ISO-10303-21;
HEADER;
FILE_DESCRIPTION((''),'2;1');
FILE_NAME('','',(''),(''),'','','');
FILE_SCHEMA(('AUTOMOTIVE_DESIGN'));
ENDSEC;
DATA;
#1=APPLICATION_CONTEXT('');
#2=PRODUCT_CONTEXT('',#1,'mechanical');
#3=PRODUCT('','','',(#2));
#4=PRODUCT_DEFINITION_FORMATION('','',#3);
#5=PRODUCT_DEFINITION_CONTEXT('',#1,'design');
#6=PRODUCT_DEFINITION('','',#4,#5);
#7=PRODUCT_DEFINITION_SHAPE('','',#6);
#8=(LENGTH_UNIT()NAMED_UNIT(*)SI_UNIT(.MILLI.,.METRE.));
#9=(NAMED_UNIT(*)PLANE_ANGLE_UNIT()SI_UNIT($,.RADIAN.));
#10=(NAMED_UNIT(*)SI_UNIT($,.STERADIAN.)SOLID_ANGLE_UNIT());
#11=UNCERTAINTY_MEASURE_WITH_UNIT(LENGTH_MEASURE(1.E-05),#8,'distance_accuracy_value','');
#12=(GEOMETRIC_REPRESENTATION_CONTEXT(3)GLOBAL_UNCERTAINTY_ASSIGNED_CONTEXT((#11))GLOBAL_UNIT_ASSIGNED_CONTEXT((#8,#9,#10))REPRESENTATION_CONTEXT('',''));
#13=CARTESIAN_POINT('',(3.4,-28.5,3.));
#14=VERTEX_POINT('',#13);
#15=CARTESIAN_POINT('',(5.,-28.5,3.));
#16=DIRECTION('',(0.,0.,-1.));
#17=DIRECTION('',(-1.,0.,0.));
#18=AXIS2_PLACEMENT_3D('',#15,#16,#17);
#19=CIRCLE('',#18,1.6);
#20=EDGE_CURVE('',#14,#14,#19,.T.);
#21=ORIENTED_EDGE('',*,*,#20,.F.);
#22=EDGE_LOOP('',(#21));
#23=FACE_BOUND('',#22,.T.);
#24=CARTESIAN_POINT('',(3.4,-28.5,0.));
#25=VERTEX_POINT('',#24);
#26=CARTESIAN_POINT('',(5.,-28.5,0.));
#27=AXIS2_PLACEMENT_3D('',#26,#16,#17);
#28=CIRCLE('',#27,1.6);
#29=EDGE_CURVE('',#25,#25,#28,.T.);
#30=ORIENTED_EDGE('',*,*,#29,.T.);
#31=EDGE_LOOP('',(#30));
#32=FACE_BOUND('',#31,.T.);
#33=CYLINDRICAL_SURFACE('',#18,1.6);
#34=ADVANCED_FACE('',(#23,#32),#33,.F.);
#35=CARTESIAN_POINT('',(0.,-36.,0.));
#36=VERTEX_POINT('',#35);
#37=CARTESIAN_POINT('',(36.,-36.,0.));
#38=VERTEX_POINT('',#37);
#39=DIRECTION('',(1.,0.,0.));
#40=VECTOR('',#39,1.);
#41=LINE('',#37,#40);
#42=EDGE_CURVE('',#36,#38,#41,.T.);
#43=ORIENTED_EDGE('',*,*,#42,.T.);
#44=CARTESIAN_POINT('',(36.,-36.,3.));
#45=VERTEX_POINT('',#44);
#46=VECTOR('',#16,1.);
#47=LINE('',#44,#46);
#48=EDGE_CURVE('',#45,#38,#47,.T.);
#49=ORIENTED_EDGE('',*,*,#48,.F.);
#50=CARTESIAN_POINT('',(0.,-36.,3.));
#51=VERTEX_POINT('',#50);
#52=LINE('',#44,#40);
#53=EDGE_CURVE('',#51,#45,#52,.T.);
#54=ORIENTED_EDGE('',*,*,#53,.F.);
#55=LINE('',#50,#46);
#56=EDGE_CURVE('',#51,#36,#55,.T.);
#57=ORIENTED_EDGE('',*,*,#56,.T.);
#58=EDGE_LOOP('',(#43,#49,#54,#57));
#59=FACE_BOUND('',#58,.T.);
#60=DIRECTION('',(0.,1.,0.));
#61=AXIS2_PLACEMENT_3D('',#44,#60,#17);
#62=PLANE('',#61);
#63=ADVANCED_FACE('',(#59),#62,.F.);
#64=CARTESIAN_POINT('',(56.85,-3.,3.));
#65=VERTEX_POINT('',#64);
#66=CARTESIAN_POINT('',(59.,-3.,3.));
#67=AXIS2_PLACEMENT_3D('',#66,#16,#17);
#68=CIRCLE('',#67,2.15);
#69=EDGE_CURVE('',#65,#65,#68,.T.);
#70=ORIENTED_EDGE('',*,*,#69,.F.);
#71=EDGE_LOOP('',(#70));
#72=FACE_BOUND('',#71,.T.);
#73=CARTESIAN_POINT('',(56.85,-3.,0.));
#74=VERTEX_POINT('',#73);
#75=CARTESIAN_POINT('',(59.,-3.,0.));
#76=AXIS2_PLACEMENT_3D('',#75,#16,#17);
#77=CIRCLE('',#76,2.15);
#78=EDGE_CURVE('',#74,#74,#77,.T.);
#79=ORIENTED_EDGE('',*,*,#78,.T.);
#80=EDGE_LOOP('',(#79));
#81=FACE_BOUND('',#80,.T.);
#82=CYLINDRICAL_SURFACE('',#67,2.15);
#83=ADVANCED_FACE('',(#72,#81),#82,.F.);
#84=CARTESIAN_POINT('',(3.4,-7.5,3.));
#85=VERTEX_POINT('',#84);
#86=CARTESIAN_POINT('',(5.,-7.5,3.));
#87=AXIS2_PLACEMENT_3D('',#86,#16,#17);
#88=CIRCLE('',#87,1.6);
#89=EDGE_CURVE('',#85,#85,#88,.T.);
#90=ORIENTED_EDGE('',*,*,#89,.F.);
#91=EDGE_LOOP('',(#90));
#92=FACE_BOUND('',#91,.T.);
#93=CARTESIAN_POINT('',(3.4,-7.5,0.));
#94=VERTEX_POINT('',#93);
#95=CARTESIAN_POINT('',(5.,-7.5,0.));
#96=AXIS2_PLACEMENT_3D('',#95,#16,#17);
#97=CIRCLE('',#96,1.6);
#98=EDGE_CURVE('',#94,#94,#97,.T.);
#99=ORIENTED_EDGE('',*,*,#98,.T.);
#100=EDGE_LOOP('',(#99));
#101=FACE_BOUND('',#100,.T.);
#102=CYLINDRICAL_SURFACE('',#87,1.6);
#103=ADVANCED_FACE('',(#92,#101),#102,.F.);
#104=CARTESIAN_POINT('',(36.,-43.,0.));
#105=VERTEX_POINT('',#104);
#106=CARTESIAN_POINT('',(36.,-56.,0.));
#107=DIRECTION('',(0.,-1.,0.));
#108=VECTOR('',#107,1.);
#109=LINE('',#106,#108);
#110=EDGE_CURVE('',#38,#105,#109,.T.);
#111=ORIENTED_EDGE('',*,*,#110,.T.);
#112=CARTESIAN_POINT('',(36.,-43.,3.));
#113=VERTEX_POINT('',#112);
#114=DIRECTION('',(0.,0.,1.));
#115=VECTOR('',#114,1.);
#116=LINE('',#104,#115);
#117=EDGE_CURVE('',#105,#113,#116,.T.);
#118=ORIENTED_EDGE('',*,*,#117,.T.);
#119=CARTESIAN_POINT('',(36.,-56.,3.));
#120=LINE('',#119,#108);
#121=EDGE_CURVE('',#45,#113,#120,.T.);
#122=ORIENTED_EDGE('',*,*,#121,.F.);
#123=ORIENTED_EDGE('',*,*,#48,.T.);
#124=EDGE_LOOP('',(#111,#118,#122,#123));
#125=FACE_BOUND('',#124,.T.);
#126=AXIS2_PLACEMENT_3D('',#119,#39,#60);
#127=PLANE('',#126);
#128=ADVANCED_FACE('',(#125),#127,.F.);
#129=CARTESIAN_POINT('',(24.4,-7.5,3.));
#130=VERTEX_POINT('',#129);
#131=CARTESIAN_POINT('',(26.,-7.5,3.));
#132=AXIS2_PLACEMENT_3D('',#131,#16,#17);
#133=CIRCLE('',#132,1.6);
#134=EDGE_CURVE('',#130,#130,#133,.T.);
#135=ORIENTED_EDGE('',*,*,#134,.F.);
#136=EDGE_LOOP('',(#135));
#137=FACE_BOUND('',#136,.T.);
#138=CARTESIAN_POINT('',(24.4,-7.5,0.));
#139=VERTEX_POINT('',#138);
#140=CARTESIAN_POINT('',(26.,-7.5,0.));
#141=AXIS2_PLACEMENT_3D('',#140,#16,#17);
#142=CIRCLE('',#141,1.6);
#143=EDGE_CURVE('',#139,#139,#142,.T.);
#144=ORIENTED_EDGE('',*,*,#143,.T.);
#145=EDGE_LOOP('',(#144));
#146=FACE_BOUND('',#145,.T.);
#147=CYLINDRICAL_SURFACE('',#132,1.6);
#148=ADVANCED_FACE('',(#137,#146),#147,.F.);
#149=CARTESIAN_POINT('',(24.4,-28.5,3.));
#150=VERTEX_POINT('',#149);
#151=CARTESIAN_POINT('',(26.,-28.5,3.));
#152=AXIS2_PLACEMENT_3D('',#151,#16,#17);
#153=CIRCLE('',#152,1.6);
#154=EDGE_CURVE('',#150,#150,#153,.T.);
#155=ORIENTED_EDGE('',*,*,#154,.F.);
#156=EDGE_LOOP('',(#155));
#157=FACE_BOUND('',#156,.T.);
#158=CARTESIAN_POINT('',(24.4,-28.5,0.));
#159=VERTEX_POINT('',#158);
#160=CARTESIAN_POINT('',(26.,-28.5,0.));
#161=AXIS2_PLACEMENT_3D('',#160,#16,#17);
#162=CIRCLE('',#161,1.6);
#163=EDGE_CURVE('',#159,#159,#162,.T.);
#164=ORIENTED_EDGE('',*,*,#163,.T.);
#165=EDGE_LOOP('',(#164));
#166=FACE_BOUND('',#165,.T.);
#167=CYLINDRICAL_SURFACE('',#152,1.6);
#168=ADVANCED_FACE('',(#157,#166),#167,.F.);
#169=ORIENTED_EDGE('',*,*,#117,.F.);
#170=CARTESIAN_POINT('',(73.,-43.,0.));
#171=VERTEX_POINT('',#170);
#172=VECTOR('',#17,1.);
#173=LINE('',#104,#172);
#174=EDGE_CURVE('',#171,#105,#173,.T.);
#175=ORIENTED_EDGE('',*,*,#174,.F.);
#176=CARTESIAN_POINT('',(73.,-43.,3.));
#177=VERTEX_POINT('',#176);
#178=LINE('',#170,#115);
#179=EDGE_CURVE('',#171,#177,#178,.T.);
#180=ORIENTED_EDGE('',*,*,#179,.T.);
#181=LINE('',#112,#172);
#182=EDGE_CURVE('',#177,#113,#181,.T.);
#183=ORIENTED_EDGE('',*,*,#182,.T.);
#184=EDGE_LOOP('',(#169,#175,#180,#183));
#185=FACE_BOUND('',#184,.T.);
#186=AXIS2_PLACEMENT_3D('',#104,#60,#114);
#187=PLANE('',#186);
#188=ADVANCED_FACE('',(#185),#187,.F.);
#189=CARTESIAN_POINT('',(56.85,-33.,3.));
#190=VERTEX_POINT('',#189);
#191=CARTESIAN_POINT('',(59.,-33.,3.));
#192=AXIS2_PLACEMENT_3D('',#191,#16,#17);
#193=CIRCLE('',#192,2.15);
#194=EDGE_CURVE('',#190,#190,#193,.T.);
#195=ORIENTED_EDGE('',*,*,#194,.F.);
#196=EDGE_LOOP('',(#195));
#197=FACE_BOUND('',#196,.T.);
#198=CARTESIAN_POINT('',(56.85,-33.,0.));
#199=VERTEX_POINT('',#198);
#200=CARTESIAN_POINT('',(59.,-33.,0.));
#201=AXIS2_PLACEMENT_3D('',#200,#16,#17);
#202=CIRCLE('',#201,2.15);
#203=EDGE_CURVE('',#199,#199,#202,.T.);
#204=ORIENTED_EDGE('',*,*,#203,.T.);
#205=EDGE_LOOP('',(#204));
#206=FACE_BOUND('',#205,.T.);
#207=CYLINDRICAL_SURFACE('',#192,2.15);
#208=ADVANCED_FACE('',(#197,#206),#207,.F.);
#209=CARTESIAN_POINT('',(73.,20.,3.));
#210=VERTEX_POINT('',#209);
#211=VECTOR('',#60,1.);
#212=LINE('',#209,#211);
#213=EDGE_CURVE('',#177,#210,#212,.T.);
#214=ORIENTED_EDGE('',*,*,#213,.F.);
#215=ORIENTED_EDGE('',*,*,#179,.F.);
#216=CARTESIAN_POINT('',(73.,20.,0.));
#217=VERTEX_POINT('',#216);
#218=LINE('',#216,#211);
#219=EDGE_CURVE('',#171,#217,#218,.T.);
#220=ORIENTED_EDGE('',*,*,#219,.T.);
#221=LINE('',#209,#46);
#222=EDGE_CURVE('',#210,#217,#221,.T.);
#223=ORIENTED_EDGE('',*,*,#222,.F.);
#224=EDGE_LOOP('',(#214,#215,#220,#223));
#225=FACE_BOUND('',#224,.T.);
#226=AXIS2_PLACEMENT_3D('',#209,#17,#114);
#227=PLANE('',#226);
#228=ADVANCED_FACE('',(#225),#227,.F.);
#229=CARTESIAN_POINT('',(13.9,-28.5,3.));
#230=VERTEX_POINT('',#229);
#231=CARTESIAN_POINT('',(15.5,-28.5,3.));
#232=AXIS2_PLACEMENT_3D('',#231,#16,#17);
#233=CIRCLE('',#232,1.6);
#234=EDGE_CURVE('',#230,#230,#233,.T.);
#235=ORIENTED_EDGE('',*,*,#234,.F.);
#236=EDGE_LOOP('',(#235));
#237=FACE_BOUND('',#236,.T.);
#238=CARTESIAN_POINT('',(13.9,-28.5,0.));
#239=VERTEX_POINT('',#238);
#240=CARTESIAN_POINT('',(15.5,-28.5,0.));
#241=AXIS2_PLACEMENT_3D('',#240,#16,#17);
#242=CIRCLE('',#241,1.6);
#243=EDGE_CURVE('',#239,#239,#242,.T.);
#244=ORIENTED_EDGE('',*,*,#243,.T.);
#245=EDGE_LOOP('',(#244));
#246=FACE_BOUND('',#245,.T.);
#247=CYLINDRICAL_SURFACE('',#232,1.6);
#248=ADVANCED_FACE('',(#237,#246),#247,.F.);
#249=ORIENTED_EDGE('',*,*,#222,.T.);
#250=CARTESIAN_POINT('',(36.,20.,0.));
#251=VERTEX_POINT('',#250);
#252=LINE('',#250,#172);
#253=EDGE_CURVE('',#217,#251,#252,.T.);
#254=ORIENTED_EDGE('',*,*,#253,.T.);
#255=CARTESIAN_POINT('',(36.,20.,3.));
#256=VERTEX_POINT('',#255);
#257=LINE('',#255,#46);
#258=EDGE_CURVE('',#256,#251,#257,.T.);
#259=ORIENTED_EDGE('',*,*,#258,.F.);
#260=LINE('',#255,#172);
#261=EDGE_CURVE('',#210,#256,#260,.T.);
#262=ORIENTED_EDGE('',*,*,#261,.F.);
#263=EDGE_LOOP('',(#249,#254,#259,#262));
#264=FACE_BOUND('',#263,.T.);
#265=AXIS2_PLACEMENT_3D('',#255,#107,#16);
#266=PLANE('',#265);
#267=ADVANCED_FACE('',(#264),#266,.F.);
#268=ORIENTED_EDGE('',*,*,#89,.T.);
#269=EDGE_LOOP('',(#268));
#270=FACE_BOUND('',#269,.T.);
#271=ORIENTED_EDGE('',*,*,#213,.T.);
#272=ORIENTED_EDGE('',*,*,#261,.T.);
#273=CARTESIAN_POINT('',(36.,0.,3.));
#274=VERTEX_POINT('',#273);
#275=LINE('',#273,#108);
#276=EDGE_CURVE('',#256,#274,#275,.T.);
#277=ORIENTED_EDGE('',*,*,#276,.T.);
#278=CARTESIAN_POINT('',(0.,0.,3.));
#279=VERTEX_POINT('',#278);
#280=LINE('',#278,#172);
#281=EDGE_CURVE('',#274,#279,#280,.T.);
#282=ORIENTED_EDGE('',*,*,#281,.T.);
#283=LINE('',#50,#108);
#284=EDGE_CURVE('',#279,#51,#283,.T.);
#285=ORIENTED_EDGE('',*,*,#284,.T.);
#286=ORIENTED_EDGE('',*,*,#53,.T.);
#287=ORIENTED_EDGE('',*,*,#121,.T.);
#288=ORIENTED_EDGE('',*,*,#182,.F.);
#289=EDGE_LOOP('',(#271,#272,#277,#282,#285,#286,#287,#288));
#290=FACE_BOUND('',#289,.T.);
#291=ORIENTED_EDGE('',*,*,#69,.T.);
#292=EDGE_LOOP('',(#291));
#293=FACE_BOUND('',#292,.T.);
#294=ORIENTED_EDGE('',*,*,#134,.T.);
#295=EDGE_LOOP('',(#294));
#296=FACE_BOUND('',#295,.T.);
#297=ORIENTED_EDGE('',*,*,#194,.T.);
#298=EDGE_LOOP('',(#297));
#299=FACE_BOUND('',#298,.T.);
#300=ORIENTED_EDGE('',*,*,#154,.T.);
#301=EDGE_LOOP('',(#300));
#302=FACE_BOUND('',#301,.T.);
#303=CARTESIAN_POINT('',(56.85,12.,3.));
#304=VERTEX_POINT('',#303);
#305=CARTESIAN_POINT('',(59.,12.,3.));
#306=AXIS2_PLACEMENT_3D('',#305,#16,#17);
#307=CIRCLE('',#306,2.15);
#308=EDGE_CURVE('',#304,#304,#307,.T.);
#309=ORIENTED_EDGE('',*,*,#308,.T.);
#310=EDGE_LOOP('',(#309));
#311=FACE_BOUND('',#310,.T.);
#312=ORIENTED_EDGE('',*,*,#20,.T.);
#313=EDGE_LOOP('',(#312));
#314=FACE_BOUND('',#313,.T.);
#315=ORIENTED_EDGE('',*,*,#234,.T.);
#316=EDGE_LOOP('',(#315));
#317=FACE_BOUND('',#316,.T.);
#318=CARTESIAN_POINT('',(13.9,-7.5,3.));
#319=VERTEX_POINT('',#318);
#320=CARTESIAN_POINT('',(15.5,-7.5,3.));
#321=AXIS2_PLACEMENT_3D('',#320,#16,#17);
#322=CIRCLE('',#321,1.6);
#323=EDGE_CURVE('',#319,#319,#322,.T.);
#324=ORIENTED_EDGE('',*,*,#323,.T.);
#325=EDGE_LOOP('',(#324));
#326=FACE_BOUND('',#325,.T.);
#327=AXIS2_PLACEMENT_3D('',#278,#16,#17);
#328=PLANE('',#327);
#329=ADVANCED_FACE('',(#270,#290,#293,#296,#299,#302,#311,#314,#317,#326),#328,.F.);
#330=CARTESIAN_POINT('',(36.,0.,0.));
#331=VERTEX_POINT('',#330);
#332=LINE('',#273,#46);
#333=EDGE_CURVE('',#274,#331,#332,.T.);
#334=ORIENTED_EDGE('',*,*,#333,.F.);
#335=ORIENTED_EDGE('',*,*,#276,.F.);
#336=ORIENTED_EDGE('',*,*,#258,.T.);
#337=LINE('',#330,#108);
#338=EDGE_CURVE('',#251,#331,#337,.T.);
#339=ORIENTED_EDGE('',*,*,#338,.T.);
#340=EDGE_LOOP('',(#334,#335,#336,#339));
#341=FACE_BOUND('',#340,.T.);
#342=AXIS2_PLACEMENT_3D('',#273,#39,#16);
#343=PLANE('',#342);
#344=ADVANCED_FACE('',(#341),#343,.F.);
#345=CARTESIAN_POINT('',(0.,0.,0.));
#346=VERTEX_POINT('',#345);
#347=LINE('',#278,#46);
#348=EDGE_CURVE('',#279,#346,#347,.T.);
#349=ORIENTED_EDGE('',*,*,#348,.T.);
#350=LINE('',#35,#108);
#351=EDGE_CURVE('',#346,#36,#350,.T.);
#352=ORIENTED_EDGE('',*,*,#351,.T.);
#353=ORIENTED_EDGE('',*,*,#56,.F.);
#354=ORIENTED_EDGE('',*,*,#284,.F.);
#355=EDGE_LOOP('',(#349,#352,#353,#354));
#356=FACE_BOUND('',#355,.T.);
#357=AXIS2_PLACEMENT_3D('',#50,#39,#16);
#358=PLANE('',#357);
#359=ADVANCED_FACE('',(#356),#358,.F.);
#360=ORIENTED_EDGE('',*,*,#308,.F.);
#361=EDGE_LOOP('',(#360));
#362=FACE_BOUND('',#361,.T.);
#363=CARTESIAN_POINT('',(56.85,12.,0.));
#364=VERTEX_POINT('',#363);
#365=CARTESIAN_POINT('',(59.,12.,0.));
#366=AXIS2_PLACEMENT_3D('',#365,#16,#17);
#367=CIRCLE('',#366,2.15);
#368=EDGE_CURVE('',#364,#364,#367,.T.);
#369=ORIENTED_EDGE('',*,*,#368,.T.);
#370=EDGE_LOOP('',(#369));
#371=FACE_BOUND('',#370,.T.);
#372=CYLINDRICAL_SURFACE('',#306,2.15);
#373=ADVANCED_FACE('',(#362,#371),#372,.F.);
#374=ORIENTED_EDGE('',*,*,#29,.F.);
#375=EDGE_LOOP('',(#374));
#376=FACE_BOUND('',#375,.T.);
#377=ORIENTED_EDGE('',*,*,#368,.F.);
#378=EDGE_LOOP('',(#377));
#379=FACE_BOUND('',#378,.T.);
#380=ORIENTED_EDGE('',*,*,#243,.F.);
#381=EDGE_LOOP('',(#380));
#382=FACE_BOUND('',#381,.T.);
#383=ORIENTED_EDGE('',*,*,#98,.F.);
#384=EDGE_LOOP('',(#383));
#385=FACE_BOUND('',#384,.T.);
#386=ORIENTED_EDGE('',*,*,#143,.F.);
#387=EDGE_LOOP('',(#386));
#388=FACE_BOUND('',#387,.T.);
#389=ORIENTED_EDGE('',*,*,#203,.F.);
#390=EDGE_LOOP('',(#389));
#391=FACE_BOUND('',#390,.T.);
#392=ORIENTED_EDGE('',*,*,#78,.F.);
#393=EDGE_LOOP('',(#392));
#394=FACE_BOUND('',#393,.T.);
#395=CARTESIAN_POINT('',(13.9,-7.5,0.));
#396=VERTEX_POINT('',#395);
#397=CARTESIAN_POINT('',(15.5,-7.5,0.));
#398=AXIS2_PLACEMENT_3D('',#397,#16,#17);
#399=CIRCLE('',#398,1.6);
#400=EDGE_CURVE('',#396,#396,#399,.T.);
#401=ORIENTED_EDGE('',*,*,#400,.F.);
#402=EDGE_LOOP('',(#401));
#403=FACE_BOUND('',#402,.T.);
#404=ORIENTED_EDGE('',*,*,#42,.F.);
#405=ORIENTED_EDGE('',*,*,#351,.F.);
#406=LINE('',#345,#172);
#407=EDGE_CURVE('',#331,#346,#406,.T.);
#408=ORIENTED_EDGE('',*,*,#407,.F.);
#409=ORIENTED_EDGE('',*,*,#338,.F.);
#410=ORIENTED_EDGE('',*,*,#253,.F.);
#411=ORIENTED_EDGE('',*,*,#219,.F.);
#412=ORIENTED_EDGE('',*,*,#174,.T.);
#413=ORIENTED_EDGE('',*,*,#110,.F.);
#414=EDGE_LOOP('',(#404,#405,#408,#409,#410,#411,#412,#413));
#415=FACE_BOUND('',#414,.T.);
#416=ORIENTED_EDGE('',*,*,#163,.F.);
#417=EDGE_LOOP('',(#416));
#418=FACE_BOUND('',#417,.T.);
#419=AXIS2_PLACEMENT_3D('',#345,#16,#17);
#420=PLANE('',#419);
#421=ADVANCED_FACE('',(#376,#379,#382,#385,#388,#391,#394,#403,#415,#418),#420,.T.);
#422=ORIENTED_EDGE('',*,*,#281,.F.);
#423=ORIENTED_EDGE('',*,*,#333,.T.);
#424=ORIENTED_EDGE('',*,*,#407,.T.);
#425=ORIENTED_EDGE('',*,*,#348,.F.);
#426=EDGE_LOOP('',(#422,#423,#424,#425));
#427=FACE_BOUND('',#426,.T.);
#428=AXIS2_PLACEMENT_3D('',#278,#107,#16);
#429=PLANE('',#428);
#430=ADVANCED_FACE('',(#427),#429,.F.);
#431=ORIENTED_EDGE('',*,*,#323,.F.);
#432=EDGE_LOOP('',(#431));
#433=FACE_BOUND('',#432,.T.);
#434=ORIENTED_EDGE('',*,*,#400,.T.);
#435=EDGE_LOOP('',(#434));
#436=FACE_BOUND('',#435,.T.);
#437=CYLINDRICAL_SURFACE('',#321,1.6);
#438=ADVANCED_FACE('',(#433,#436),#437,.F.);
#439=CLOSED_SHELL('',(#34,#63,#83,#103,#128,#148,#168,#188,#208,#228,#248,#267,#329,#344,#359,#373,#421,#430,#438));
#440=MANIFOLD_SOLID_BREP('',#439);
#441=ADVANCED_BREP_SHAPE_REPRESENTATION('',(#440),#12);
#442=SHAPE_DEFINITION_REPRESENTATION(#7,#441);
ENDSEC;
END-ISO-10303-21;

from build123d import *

# Parameters (mm, degrees)
EXTRUDE_1_DEPTH     = 3
SKETCH_2_R          = 1.6
CUT_EXTRUDE_1_DEPTH = 93.054331783
SKETCH_3_R          = 2.15
CUT_EXTRUDE_2_DEPTH = 93.054331783
SKETCH_4_R          = 2.15
CUT_EXTRUDE_3_DEPTH = 93.054331783
SKETCH_5_W          = 37
SKETCH_5_H          = 13
CUT_EXTRUDE_4_DEPTH = 93.054331783


with BuildPart() as part:
    # 草图1 → 凸台-拉伸1 (new body)
    with BuildSketch(Plane.XY):
        Polygon((0, 0), (36, 0), (36, 20), (73, 20), (73, -56), (36, -56), (36, -36), (0, -36), align=None)
    extrude(amount=EXTRUDE_1_DEPTH)

    # 草图2 → 切除-拉伸1 (cut, through all)
    with BuildSketch(Plane(origin=(0, 0, 0), x_dir=(-1, 0, 0), z_dir=(0, 0, -1))):
        with Locations((-26, -7.5)):
            Circle(SKETCH_2_R)
        with Locations((-26, -28.5)):
            Circle(SKETCH_2_R)
        with Locations((-5, -7.5)):
            Circle(SKETCH_2_R)
        with Locations((-5, -28.5)):
            Circle(SKETCH_2_R)
        with Locations((-15.5, -28.5)):
            Circle(SKETCH_2_R)
        with Locations((-15.5, -7.5)):
            Circle(SKETCH_2_R)
    extrude(amount=-CUT_EXTRUDE_1_DEPTH, mode=Mode.SUBTRACT)

    # 草图3 → 切除-拉伸2 (cut, through all)
    with BuildSketch(Plane(origin=(0, 0, 0), x_dir=(-1, 0, 0), z_dir=(0, 0, -1))):
        with Locations((-59, -33)):
            Circle(SKETCH_3_R)
        with Locations((-59, -48)):
            Circle(SKETCH_3_R)
    extrude(amount=-CUT_EXTRUDE_2_DEPTH, mode=Mode.SUBTRACT)

    # 草图4 → 切除-拉伸3 (cut, through all)
    with BuildSketch(Plane(origin=(0, 0, 0), x_dir=(-1, 0, 0), z_dir=(0, 0, -1))):
        with Locations((-59, 12)):
            Circle(SKETCH_4_R)
        with Locations((-59, -3)):
            Circle(SKETCH_4_R)
    extrude(amount=-CUT_EXTRUDE_3_DEPTH, mode=Mode.SUBTRACT)

    # 草图5 → 切除-拉伸4 (cut, through all)
    with BuildSketch(Plane.XY.offset(3)):
        with Locations((54.5, -49.5)):
            Rectangle(SKETCH_5_W, SKETCH_5_H)
    extrude(amount=-CUT_EXTRUDE_4_DEPTH, mode=Mode.SUBTRACT)


solid = part.part
